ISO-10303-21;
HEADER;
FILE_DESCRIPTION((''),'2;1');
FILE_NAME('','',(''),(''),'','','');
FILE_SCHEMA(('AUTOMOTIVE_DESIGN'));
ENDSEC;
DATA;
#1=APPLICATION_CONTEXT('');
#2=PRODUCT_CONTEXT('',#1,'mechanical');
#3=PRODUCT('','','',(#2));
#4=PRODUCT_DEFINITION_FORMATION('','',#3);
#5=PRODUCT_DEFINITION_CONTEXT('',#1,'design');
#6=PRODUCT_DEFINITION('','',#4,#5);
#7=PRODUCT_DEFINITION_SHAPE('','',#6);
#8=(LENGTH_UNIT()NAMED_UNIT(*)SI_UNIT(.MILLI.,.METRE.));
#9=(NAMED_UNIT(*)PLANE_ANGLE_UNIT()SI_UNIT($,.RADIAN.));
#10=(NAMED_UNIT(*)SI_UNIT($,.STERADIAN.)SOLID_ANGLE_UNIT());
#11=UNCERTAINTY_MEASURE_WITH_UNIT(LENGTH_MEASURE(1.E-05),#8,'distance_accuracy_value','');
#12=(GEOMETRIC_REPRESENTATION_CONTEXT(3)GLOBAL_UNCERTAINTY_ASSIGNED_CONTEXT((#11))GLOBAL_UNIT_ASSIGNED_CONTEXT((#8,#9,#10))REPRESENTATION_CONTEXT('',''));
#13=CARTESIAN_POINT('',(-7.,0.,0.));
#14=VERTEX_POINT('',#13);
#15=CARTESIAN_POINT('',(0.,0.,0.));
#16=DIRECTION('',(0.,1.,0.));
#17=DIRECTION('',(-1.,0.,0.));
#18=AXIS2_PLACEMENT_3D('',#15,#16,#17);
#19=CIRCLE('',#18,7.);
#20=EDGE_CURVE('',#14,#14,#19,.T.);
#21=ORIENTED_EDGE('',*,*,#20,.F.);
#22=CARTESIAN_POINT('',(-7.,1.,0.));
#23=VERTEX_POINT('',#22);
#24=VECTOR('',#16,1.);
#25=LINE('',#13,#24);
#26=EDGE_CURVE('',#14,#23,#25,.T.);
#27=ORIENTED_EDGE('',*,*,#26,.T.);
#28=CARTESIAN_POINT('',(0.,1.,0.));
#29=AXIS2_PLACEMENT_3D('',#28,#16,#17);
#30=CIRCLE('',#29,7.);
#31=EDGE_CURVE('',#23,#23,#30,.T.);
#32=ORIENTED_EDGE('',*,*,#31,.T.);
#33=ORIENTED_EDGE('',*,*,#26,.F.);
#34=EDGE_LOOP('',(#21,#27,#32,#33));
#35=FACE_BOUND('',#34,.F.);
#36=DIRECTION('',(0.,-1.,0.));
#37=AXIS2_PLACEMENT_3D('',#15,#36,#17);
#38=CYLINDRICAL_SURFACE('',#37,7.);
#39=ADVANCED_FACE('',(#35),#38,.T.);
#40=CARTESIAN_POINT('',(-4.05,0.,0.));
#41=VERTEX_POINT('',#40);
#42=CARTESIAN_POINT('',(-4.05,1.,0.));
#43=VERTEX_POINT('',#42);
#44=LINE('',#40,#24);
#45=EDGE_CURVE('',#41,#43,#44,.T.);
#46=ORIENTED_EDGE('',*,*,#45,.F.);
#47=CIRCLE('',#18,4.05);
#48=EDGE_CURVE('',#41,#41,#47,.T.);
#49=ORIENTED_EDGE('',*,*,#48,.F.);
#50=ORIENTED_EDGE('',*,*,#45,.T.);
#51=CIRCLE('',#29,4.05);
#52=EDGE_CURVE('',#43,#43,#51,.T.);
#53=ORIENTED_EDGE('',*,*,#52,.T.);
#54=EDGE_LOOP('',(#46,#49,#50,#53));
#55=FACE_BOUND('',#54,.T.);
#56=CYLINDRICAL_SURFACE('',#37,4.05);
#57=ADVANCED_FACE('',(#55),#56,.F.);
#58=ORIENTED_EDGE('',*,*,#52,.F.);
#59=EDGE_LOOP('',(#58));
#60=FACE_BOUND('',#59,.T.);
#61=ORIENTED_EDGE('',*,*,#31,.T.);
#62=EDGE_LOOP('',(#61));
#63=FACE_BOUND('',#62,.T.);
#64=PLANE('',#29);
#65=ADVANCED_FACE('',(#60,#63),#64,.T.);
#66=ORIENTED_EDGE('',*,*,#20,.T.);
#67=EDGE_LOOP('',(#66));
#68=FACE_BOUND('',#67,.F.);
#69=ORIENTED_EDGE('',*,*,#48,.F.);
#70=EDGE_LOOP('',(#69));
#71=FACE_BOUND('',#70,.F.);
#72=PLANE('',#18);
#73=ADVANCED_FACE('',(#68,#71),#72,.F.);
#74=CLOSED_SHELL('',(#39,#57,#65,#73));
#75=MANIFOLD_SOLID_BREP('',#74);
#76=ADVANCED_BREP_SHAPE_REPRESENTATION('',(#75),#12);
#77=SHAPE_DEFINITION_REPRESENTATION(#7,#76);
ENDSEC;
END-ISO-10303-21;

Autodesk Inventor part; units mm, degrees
ref_plane "YZ Plane" through (0, 0, 0) normal (1, 0, 0) x (0, 1, 0)
ref_plane "XZ Plane" through (0, 0, 0) normal (0, 1, 0) x (-1, 0, 0)
ref_plane "XY Plane" through (0, 0, 0) normal (0, 0, 1) x (1, 0, 0)
sketch "スケッチ1" plane through (0, 0, 0) normal (0, 1, 0) x (-1, 0, 0)
  circle A0 centre (0, 0) radius 4.05
  circle A1 centre (0, 0) radius 7
  dimension "d0" = 8.1
  dimension "d1" = 14
extrude "押し出し1" add sketch "スケッチ1" along normal blind 1
properties part number "ワッシャ 内径8 外径14 厚み1" material "アセタール樹脂、黒"
